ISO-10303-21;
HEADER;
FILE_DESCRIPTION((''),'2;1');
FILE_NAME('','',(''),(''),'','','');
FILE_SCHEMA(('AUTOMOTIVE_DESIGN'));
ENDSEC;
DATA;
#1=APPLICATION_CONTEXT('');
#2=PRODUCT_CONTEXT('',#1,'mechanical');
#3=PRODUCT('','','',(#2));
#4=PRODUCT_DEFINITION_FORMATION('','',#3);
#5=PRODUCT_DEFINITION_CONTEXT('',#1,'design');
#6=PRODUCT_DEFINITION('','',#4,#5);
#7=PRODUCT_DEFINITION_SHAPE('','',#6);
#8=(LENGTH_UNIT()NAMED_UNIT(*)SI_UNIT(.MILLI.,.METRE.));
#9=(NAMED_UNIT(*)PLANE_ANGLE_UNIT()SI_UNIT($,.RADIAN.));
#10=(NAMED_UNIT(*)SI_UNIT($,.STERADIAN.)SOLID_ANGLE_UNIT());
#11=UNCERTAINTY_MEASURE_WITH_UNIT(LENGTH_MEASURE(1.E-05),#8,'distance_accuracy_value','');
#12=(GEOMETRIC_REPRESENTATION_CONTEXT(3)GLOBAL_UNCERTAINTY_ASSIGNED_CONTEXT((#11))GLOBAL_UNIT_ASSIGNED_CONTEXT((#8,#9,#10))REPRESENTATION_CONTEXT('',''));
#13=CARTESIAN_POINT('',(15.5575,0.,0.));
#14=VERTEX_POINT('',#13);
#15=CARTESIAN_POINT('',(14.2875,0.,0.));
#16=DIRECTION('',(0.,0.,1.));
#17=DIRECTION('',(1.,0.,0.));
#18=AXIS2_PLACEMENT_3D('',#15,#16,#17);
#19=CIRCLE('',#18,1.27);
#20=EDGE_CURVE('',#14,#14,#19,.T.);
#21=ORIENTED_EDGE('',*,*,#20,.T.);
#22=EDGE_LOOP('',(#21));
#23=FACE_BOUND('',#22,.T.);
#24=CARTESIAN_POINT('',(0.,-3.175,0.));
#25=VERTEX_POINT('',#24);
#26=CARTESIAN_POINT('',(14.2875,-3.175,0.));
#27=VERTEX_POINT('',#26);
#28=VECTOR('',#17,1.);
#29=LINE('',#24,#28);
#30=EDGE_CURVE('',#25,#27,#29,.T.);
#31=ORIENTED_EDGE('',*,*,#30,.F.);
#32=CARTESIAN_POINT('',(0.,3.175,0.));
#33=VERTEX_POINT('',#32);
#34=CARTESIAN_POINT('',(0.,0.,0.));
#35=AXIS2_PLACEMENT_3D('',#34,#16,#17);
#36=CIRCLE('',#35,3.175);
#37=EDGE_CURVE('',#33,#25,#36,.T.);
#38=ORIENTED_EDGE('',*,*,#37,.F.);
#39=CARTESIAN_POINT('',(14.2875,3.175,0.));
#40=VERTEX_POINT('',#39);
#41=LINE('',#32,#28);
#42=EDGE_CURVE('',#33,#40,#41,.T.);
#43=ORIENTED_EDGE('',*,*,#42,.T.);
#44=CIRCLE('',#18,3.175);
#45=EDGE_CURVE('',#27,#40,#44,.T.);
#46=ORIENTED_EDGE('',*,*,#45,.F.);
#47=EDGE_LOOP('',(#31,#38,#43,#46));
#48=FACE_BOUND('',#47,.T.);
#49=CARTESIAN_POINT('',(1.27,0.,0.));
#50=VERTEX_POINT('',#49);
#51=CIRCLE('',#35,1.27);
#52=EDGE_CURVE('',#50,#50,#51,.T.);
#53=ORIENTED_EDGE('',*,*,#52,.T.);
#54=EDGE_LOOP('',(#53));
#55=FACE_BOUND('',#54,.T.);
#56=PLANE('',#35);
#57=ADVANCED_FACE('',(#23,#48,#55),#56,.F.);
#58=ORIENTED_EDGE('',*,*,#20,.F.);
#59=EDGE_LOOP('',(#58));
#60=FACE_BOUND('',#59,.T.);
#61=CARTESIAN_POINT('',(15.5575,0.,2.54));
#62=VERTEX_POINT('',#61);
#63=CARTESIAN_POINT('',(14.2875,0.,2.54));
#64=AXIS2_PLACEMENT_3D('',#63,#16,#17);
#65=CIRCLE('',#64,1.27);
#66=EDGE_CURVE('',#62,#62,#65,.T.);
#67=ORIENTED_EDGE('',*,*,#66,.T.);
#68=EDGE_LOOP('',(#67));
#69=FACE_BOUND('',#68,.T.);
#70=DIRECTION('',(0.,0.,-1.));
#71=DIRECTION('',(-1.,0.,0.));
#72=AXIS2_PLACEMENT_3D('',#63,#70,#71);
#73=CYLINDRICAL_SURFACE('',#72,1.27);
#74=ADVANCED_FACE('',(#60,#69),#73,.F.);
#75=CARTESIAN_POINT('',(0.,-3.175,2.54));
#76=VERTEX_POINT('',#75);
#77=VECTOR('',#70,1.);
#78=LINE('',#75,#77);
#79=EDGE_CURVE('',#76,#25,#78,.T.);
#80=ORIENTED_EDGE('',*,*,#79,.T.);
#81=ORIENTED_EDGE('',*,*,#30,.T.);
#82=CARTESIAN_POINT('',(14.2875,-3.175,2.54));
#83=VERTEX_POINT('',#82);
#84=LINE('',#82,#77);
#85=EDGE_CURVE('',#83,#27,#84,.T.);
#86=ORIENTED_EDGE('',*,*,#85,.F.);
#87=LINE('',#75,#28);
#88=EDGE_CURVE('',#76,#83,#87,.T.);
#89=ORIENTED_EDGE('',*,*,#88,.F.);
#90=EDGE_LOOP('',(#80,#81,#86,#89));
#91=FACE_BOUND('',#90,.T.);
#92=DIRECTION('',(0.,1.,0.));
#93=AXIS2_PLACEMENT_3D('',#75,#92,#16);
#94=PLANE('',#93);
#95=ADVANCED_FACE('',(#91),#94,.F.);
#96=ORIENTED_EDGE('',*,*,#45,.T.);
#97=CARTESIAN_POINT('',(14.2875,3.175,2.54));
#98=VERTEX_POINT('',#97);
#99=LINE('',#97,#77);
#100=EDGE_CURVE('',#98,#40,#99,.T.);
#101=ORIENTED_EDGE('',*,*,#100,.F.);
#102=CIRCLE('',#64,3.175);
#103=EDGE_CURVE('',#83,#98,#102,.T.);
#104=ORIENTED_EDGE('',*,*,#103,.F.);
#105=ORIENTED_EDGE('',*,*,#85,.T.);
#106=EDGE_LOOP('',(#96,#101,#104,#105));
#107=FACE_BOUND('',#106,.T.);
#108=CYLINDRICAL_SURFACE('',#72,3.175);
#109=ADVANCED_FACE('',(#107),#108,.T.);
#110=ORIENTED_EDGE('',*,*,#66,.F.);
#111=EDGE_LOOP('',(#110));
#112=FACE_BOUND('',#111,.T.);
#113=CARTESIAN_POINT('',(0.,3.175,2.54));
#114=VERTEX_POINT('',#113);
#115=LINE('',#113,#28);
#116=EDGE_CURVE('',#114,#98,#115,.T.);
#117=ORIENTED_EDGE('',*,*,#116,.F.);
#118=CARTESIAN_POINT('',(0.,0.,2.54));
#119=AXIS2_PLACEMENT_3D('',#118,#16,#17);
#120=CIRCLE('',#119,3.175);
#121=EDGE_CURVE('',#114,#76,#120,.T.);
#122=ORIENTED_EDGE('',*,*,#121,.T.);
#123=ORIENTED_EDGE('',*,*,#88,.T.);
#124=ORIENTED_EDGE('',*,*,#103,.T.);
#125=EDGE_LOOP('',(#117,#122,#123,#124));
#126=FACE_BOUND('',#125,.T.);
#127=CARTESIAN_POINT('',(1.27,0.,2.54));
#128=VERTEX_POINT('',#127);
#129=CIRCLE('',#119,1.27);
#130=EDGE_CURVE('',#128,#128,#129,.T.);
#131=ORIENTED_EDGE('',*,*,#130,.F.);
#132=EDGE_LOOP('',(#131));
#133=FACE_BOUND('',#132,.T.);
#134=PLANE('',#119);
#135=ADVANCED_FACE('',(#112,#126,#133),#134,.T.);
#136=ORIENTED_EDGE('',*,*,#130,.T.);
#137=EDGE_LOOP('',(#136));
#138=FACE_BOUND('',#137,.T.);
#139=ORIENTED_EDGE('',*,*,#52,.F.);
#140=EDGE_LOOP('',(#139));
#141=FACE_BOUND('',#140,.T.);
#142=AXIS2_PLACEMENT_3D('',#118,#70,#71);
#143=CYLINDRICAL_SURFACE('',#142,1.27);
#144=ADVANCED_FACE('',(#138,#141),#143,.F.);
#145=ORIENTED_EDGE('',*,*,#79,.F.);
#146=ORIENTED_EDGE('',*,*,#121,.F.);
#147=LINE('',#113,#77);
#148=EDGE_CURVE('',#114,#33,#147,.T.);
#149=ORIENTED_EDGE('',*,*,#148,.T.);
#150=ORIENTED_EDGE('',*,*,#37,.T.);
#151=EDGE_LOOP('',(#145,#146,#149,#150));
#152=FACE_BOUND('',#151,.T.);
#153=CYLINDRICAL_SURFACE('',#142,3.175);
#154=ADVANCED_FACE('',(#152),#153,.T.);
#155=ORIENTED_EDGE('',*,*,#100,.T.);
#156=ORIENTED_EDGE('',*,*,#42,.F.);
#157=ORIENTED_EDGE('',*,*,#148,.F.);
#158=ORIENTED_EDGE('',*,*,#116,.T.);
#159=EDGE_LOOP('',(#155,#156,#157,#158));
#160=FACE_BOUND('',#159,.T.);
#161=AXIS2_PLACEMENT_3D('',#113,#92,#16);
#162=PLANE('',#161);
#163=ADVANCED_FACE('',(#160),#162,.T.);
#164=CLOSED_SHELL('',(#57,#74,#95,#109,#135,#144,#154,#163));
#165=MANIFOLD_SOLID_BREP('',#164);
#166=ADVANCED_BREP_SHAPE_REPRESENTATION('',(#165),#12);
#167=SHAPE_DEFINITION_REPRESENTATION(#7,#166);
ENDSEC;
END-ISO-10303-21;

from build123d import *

# Parameters (mm, degrees)
SKETCH1_R           = 3.175
SKETCH1_R_2         = 1.27
BOSS_EXTRUDE1_DEPTH = 2.54


with BuildPart() as part:
    # Sketch1 → Boss-Extrude1 (new body)
    # profile 1 of 3: a face of its own
    with BuildSketch(Plane.XY):
        with BuildLine():
            Line((14.2875, 3.175), (0, 3.175))
            ThreePointArc((0, 3.175), (2.24506403, 2.24506403), (3.175, 0))
            ThreePointArc((3.175, 0), (2.24506403, -2.24506403), (0, -3.175))
            Line((0, -3.175), (14.2875, -3.175))
            ThreePointArc((14.2875, -3.175), (11.1125, 0), (14.2875, 3.175))
        make_face()
    # profile 2 of 3: a face of its own
    with BuildSketch(Plane.XY):
        Circle(SKETCH1_R)
        Circle(SKETCH1_R_2, mode=Mode.SUBTRACT)
    # profile 3 of 3: a face of its own
    with BuildSketch(Plane.XY):
        with Locations((14.2875, 0)):
            Circle(SKETCH1_R)
        with Locations((14.2875, 0)):
            Circle(SKETCH1_R_2, mode=Mode.SUBTRACT)
    extrude(amount=BOSS_EXTRUDE1_DEPTH)


solid = part.part
